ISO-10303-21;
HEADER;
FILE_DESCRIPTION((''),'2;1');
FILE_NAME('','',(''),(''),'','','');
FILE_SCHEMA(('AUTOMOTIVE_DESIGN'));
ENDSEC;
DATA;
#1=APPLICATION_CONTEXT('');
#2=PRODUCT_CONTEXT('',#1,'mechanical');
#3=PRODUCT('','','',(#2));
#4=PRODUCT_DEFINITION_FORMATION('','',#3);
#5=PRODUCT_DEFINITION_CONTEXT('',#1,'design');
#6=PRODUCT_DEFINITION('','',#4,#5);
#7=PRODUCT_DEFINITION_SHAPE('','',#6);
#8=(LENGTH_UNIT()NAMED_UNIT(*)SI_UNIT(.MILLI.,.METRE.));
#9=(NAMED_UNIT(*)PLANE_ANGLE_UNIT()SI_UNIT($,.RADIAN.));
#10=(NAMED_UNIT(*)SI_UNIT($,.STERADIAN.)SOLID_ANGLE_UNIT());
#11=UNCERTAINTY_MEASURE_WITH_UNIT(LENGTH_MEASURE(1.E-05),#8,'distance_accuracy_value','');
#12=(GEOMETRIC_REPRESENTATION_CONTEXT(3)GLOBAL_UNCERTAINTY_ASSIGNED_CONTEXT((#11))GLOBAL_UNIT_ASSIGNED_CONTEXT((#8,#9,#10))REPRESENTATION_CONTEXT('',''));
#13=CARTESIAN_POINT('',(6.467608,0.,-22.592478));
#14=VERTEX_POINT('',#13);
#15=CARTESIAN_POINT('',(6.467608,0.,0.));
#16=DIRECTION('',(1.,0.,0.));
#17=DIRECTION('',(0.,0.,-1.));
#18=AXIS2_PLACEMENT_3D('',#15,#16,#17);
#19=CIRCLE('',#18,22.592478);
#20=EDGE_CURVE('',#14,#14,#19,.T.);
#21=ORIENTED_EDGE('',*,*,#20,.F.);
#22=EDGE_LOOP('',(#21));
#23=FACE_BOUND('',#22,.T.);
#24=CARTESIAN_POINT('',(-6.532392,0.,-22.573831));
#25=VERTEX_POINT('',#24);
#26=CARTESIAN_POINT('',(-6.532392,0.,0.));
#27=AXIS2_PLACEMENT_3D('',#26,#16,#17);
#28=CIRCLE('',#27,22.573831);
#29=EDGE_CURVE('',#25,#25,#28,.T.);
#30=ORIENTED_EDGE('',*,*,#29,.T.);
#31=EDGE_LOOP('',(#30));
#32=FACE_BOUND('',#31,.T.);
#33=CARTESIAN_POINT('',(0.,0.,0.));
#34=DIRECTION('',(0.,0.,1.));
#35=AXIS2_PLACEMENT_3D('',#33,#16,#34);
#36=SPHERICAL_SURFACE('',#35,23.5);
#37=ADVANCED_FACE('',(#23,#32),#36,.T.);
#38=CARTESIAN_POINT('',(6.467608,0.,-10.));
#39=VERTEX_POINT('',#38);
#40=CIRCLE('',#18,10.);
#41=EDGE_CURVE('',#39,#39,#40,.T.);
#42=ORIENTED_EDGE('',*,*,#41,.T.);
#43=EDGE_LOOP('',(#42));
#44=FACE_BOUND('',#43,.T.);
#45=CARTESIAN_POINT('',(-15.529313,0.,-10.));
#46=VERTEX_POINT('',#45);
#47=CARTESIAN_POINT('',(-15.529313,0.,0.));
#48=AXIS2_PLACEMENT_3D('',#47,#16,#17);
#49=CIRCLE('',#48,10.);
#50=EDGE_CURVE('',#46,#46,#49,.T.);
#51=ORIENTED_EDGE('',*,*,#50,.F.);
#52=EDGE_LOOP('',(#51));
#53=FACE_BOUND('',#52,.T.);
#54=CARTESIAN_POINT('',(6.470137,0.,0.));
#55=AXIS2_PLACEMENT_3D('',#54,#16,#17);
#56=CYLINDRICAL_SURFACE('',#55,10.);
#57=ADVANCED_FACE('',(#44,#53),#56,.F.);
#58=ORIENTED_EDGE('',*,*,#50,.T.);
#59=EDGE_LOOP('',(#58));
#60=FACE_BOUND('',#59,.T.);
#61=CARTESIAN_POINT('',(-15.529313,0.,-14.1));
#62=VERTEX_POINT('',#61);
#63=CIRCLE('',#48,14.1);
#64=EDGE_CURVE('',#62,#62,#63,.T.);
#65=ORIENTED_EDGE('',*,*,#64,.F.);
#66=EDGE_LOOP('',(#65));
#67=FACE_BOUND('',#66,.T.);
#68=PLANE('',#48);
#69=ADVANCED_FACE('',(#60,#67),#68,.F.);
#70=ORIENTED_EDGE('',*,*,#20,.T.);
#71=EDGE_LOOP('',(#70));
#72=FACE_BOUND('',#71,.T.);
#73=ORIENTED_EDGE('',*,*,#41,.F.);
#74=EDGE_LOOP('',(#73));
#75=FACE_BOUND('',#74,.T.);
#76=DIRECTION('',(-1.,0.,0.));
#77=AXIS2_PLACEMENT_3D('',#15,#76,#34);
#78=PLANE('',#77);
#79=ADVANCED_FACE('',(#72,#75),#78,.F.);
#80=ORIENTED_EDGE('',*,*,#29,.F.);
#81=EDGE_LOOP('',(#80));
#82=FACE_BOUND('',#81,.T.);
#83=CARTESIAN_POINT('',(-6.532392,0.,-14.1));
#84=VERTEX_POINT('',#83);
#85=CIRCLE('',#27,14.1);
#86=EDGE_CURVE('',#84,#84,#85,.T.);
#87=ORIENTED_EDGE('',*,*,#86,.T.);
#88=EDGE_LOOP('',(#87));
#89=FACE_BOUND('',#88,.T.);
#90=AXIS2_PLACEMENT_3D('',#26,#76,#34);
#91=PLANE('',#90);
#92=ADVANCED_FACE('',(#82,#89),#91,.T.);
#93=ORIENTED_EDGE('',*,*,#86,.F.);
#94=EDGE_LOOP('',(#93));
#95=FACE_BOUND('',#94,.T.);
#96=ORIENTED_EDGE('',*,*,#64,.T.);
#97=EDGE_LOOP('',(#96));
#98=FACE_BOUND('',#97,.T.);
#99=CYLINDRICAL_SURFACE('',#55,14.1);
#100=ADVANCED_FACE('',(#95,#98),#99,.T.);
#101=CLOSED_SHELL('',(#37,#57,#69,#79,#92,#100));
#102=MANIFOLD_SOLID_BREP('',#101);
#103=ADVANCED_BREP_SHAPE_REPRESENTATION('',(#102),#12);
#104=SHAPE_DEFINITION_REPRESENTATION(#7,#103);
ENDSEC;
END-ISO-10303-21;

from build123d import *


with BuildPart() as part:
    # Szkic1 → Obrót2 (revolve)
    with BuildSketch(Plane(origin=(0, 0, 0), x_dir=(1, 0, 0), z_dir=(0, 1, 0))):
        with BuildLine():
            Line((6.467608229, -22.592477593), (6.467608229, -10))
            Line((6.467608229, -10), (-15.529312714, -10))
            Line((-15.529312714, -10), (-15.529312714, -14.1))
            Line((-15.529312714, -14.1), (-10.029312714, -14.1))
            Line((-10.029312714, -14.1), (-6.532391771, -14.1))
            Line((-6.532391771, -14.1), (-6.532391771, -22.57383126))
            ThreePointArc((-6.532391771, -22.57383126), (-0.033706799, -23.499975827), (6.467608229, -22.592477593))
        make_face()
    revolve(axis=Axis((6.470136678, 0, 0), (-1, 0, 0)))


solid = part.part
